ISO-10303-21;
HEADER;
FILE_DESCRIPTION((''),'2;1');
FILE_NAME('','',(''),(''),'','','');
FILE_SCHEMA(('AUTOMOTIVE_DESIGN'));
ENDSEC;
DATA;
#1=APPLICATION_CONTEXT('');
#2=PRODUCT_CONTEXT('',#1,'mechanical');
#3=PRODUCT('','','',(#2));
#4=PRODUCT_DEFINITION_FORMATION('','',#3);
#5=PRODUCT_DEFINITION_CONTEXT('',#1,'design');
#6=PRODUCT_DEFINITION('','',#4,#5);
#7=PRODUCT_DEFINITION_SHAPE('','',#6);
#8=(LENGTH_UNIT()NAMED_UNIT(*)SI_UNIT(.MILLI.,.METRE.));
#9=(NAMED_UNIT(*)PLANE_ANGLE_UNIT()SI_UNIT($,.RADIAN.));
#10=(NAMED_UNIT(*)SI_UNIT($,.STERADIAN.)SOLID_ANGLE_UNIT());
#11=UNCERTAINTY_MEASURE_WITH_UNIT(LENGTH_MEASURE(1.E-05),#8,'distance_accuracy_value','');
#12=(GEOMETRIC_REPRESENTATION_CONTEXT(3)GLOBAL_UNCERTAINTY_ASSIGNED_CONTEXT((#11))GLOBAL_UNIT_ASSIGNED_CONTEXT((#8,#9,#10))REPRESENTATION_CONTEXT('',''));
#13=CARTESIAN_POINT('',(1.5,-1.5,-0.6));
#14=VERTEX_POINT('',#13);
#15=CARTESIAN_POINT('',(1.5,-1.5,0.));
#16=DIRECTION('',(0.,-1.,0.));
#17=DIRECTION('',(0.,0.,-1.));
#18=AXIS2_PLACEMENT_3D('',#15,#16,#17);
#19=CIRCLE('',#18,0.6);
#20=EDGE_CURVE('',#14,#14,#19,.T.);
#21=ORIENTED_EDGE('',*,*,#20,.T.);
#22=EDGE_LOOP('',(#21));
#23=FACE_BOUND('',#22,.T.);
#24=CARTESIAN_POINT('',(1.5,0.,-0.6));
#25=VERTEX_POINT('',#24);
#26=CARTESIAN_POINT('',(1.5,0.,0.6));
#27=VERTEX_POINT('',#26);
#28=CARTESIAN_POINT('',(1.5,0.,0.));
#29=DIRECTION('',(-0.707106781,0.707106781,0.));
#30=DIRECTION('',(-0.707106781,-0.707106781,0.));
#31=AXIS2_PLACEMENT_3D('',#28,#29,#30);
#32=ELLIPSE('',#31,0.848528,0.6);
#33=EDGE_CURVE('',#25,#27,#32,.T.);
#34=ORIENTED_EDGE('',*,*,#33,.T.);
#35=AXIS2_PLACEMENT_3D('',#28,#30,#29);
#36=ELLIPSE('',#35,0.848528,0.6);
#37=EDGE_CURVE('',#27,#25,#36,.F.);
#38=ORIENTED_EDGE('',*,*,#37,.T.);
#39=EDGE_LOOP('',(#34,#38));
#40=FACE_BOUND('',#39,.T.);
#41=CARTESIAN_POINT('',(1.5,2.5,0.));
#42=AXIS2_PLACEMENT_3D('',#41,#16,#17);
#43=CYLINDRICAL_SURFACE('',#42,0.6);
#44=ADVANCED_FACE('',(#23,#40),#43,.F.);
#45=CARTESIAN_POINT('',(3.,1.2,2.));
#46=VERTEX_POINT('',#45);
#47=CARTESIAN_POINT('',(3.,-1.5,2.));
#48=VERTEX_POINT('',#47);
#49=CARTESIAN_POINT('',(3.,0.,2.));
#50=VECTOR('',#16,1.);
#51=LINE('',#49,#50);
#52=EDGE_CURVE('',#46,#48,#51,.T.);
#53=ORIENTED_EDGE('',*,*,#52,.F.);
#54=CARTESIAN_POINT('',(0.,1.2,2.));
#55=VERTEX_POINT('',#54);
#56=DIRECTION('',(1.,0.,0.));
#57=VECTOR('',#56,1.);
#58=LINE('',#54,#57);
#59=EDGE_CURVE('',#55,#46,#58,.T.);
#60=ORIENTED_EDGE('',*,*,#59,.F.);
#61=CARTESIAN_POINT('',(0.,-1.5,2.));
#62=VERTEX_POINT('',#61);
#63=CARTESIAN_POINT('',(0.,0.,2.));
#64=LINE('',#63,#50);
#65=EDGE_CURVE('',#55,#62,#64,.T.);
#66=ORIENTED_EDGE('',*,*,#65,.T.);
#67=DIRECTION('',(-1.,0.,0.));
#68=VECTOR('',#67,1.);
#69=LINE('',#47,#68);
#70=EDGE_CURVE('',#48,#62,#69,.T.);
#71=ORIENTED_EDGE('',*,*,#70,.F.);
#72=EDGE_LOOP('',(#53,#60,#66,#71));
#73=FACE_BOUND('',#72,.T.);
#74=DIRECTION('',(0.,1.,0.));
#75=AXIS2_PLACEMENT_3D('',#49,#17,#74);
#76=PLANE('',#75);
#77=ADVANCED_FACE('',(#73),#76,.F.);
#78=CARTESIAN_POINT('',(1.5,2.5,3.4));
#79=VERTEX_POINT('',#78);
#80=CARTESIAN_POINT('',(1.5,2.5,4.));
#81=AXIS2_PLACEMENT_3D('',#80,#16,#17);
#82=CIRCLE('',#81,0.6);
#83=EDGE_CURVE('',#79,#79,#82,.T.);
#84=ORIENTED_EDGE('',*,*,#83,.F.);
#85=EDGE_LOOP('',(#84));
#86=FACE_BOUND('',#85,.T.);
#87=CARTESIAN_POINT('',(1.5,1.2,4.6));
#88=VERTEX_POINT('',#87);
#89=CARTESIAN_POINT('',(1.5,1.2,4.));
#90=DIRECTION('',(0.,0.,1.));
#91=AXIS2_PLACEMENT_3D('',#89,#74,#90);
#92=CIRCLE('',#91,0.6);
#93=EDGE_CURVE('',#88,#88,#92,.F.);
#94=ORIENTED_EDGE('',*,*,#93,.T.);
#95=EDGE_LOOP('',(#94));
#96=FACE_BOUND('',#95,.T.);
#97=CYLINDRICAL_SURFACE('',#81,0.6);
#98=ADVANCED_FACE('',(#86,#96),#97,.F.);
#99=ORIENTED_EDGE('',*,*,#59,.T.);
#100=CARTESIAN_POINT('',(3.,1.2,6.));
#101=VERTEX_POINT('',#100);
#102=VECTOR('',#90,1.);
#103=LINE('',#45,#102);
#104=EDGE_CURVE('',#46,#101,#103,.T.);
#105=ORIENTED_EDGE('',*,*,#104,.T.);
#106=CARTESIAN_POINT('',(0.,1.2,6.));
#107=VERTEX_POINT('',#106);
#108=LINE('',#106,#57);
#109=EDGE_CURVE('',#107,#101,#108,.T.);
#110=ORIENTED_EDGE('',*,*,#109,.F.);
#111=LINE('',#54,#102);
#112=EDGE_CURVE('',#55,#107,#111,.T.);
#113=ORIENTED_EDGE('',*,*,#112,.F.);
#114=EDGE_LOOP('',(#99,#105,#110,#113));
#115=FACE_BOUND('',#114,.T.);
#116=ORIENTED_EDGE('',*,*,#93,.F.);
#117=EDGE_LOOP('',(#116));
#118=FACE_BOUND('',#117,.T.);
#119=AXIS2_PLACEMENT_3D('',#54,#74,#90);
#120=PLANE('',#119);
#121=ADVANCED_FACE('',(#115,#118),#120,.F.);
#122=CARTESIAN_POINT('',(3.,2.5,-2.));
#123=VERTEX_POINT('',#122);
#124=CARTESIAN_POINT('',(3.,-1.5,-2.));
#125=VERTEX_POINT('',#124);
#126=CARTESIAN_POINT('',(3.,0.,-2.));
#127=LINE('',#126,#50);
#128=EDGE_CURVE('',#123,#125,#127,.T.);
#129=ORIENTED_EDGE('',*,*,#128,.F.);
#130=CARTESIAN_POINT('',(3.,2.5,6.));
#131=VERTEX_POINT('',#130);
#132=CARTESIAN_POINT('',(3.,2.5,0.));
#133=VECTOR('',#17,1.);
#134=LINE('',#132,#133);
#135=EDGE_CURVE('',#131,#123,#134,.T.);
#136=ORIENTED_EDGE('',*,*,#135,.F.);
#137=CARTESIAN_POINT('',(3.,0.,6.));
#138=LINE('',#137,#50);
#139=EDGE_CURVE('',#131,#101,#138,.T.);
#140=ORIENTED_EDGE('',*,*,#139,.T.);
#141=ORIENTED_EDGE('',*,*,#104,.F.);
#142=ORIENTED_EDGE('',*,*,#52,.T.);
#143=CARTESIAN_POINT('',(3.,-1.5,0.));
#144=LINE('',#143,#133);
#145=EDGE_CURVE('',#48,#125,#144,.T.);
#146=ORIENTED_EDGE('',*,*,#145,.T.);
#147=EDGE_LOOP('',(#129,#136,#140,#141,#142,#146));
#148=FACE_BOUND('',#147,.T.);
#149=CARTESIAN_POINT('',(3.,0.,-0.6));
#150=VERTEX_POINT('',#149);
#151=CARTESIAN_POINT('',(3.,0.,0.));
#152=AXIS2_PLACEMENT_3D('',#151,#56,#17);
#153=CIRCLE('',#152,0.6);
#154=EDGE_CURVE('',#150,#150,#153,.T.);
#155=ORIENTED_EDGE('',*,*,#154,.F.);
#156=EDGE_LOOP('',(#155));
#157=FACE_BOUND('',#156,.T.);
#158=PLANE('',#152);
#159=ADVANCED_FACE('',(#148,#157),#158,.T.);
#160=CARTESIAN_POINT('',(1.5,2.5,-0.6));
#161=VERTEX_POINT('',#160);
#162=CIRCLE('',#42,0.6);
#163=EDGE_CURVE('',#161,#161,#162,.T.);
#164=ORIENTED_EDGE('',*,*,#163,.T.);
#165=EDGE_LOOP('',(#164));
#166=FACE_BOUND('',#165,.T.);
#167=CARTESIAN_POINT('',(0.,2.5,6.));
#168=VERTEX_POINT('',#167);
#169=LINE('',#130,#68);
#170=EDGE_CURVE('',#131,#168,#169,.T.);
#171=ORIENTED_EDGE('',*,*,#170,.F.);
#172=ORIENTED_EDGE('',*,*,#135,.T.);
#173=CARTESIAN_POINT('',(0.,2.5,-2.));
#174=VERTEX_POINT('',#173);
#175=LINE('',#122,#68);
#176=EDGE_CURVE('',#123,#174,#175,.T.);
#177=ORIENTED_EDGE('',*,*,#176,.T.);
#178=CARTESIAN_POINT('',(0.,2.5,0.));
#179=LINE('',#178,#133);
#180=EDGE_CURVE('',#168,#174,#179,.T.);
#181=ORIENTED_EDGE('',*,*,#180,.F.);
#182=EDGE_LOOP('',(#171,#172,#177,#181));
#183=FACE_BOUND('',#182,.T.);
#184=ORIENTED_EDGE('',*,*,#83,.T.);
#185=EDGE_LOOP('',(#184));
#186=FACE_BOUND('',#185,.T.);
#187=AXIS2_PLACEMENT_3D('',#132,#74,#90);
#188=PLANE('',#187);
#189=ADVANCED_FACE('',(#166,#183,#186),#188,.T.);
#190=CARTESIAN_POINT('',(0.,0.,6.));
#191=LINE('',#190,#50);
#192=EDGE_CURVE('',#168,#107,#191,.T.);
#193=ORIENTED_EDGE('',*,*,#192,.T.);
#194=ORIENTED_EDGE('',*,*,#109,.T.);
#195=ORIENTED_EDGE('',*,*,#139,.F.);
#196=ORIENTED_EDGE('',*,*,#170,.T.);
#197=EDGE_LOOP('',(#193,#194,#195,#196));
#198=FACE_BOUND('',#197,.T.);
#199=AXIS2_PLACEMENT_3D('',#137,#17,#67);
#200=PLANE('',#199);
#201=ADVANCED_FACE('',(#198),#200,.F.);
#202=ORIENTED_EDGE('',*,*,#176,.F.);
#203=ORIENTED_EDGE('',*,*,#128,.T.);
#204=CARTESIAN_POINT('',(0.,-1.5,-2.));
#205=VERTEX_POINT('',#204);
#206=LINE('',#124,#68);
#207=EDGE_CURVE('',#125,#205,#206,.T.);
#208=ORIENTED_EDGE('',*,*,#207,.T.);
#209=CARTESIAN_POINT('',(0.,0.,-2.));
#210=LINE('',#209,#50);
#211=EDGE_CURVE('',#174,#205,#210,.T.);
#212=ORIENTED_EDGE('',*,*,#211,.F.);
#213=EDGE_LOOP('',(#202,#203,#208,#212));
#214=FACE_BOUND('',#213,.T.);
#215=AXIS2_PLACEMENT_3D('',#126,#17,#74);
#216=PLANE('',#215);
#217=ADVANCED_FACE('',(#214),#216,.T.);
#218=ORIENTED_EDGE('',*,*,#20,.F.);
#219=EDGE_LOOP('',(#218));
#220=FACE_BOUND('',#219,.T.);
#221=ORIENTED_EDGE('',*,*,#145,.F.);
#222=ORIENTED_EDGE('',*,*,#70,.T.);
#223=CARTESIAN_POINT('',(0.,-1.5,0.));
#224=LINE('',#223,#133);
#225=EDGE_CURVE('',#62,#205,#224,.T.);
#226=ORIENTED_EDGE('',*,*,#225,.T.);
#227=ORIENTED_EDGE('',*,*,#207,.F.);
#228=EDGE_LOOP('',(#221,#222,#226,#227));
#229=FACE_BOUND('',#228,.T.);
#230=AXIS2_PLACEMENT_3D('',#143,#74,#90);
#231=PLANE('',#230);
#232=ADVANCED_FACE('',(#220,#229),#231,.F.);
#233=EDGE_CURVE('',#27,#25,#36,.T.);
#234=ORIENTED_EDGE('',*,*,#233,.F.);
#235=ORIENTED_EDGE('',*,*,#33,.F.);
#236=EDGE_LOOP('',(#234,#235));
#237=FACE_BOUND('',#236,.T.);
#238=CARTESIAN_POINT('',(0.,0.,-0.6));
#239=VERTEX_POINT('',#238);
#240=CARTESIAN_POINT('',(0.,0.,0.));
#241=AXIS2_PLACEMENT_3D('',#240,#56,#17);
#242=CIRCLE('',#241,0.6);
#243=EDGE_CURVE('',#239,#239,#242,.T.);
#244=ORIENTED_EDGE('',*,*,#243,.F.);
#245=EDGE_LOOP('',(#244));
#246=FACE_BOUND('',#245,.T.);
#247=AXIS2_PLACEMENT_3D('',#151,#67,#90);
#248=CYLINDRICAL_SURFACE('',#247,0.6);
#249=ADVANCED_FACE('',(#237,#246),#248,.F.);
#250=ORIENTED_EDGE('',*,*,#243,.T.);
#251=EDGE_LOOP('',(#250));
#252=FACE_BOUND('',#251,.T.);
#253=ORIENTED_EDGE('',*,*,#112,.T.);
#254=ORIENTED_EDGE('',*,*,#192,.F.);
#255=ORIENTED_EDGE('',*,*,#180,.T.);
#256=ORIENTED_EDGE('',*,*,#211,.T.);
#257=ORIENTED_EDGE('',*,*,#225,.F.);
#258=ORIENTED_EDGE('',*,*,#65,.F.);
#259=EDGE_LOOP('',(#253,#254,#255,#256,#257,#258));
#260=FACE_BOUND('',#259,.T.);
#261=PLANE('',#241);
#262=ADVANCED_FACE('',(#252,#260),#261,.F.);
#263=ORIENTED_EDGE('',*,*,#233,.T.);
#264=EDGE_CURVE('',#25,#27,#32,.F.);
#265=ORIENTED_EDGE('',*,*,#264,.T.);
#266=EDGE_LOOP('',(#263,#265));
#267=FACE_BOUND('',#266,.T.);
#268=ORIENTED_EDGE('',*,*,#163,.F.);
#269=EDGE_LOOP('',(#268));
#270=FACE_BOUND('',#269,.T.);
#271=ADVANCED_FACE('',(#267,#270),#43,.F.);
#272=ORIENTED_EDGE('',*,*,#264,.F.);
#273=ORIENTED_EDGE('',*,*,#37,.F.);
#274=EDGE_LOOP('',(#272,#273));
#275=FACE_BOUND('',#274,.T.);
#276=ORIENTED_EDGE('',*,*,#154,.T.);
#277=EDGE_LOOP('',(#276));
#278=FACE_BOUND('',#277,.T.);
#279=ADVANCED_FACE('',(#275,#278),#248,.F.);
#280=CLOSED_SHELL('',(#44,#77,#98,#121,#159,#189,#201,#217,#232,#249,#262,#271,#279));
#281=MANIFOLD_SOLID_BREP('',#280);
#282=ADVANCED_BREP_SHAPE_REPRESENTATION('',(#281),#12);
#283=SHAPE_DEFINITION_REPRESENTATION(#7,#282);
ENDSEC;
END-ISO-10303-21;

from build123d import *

# Parameters (mm, degrees)
SKETCH_1_W               = 4
SKETCH_1_H               = 2.5
SKETCH_1_R               = 0.6
SKETCH_1_H_2             = 1.5
EXTRUDE_1_DEPTH          = 3
CUT_EXTRUDE_1_DEPTH      = 8.158910532
CUT_EXTRUDE_1_DEPTH_BACK = 8.158910532
SKETCH_3_R               = 0.6
SKETCH_5_W               = 4
SKETCH_5_H               = 0.2
CUT_EXTRUDE_2_DEPTH      = 8.158910532


with BuildPart() as part:
    # 草图1 → 凸台-拉伸1 (new body)
    # profile 1 of 3: a face of its own
    with BuildSketch(Plane(origin=(0, 0, 0), x_dir=(0, 0, -1), z_dir=(1, 0, 0))):
        with Locations((0, -0.25)):
            Rectangle(SKETCH_1_W, SKETCH_1_H)
        Circle(SKETCH_1_R, mode=Mode.SUBTRACT)
    # profile 2 of 3: a face of its own
    with BuildSketch(Plane(origin=(0, 0, 0), x_dir=(0, 0, -1), z_dir=(1, 0, 0))):
        with Locations((0, 1.75)):
            Rectangle(SKETCH_1_W, SKETCH_1_H_2)
    # profile 3 of 3: a face of its own
    with BuildSketch(Plane(origin=(0, 0, 0), x_dir=(0, 0, -1), z_dir=(1, 0, 0))):
        with Locations((-4, 1.75)):
            Rectangle(SKETCH_1_W, SKETCH_1_H_2)
    extrude(amount=EXTRUDE_1_DEPTH)

    # 草图3 → 切除-拉伸1 (cut, two sides: drawn at the far end of the back side and taken through both)
    with BuildSketch(Plane.XZ.offset(-1).offset(-CUT_EXTRUDE_1_DEPTH_BACK)):
        with Locations(Location((1.5, 4, 0), (0, 0, 270))):
            Circle(SKETCH_3_R)
        with Locations(Location((1.5, 0, 0), (0, 0, 270))):
            Circle(SKETCH_3_R)
    extrude(amount=CUT_EXTRUDE_1_DEPTH + CUT_EXTRUDE_1_DEPTH_BACK, mode=Mode.SUBTRACT)

    # 草图5 → 切除-拉伸2 (cut, through all)
    with BuildSketch(Plane(origin=(3, 0, 0), x_dir=(0, 0, -1), z_dir=(1, 0, 0))):
        with Locations((-4, 1.1)):
            Rectangle(SKETCH_5_W, SKETCH_5_H)
    extrude(amount=-CUT_EXTRUDE_2_DEPTH, mode=Mode.SUBTRACT)


solid = part.part
